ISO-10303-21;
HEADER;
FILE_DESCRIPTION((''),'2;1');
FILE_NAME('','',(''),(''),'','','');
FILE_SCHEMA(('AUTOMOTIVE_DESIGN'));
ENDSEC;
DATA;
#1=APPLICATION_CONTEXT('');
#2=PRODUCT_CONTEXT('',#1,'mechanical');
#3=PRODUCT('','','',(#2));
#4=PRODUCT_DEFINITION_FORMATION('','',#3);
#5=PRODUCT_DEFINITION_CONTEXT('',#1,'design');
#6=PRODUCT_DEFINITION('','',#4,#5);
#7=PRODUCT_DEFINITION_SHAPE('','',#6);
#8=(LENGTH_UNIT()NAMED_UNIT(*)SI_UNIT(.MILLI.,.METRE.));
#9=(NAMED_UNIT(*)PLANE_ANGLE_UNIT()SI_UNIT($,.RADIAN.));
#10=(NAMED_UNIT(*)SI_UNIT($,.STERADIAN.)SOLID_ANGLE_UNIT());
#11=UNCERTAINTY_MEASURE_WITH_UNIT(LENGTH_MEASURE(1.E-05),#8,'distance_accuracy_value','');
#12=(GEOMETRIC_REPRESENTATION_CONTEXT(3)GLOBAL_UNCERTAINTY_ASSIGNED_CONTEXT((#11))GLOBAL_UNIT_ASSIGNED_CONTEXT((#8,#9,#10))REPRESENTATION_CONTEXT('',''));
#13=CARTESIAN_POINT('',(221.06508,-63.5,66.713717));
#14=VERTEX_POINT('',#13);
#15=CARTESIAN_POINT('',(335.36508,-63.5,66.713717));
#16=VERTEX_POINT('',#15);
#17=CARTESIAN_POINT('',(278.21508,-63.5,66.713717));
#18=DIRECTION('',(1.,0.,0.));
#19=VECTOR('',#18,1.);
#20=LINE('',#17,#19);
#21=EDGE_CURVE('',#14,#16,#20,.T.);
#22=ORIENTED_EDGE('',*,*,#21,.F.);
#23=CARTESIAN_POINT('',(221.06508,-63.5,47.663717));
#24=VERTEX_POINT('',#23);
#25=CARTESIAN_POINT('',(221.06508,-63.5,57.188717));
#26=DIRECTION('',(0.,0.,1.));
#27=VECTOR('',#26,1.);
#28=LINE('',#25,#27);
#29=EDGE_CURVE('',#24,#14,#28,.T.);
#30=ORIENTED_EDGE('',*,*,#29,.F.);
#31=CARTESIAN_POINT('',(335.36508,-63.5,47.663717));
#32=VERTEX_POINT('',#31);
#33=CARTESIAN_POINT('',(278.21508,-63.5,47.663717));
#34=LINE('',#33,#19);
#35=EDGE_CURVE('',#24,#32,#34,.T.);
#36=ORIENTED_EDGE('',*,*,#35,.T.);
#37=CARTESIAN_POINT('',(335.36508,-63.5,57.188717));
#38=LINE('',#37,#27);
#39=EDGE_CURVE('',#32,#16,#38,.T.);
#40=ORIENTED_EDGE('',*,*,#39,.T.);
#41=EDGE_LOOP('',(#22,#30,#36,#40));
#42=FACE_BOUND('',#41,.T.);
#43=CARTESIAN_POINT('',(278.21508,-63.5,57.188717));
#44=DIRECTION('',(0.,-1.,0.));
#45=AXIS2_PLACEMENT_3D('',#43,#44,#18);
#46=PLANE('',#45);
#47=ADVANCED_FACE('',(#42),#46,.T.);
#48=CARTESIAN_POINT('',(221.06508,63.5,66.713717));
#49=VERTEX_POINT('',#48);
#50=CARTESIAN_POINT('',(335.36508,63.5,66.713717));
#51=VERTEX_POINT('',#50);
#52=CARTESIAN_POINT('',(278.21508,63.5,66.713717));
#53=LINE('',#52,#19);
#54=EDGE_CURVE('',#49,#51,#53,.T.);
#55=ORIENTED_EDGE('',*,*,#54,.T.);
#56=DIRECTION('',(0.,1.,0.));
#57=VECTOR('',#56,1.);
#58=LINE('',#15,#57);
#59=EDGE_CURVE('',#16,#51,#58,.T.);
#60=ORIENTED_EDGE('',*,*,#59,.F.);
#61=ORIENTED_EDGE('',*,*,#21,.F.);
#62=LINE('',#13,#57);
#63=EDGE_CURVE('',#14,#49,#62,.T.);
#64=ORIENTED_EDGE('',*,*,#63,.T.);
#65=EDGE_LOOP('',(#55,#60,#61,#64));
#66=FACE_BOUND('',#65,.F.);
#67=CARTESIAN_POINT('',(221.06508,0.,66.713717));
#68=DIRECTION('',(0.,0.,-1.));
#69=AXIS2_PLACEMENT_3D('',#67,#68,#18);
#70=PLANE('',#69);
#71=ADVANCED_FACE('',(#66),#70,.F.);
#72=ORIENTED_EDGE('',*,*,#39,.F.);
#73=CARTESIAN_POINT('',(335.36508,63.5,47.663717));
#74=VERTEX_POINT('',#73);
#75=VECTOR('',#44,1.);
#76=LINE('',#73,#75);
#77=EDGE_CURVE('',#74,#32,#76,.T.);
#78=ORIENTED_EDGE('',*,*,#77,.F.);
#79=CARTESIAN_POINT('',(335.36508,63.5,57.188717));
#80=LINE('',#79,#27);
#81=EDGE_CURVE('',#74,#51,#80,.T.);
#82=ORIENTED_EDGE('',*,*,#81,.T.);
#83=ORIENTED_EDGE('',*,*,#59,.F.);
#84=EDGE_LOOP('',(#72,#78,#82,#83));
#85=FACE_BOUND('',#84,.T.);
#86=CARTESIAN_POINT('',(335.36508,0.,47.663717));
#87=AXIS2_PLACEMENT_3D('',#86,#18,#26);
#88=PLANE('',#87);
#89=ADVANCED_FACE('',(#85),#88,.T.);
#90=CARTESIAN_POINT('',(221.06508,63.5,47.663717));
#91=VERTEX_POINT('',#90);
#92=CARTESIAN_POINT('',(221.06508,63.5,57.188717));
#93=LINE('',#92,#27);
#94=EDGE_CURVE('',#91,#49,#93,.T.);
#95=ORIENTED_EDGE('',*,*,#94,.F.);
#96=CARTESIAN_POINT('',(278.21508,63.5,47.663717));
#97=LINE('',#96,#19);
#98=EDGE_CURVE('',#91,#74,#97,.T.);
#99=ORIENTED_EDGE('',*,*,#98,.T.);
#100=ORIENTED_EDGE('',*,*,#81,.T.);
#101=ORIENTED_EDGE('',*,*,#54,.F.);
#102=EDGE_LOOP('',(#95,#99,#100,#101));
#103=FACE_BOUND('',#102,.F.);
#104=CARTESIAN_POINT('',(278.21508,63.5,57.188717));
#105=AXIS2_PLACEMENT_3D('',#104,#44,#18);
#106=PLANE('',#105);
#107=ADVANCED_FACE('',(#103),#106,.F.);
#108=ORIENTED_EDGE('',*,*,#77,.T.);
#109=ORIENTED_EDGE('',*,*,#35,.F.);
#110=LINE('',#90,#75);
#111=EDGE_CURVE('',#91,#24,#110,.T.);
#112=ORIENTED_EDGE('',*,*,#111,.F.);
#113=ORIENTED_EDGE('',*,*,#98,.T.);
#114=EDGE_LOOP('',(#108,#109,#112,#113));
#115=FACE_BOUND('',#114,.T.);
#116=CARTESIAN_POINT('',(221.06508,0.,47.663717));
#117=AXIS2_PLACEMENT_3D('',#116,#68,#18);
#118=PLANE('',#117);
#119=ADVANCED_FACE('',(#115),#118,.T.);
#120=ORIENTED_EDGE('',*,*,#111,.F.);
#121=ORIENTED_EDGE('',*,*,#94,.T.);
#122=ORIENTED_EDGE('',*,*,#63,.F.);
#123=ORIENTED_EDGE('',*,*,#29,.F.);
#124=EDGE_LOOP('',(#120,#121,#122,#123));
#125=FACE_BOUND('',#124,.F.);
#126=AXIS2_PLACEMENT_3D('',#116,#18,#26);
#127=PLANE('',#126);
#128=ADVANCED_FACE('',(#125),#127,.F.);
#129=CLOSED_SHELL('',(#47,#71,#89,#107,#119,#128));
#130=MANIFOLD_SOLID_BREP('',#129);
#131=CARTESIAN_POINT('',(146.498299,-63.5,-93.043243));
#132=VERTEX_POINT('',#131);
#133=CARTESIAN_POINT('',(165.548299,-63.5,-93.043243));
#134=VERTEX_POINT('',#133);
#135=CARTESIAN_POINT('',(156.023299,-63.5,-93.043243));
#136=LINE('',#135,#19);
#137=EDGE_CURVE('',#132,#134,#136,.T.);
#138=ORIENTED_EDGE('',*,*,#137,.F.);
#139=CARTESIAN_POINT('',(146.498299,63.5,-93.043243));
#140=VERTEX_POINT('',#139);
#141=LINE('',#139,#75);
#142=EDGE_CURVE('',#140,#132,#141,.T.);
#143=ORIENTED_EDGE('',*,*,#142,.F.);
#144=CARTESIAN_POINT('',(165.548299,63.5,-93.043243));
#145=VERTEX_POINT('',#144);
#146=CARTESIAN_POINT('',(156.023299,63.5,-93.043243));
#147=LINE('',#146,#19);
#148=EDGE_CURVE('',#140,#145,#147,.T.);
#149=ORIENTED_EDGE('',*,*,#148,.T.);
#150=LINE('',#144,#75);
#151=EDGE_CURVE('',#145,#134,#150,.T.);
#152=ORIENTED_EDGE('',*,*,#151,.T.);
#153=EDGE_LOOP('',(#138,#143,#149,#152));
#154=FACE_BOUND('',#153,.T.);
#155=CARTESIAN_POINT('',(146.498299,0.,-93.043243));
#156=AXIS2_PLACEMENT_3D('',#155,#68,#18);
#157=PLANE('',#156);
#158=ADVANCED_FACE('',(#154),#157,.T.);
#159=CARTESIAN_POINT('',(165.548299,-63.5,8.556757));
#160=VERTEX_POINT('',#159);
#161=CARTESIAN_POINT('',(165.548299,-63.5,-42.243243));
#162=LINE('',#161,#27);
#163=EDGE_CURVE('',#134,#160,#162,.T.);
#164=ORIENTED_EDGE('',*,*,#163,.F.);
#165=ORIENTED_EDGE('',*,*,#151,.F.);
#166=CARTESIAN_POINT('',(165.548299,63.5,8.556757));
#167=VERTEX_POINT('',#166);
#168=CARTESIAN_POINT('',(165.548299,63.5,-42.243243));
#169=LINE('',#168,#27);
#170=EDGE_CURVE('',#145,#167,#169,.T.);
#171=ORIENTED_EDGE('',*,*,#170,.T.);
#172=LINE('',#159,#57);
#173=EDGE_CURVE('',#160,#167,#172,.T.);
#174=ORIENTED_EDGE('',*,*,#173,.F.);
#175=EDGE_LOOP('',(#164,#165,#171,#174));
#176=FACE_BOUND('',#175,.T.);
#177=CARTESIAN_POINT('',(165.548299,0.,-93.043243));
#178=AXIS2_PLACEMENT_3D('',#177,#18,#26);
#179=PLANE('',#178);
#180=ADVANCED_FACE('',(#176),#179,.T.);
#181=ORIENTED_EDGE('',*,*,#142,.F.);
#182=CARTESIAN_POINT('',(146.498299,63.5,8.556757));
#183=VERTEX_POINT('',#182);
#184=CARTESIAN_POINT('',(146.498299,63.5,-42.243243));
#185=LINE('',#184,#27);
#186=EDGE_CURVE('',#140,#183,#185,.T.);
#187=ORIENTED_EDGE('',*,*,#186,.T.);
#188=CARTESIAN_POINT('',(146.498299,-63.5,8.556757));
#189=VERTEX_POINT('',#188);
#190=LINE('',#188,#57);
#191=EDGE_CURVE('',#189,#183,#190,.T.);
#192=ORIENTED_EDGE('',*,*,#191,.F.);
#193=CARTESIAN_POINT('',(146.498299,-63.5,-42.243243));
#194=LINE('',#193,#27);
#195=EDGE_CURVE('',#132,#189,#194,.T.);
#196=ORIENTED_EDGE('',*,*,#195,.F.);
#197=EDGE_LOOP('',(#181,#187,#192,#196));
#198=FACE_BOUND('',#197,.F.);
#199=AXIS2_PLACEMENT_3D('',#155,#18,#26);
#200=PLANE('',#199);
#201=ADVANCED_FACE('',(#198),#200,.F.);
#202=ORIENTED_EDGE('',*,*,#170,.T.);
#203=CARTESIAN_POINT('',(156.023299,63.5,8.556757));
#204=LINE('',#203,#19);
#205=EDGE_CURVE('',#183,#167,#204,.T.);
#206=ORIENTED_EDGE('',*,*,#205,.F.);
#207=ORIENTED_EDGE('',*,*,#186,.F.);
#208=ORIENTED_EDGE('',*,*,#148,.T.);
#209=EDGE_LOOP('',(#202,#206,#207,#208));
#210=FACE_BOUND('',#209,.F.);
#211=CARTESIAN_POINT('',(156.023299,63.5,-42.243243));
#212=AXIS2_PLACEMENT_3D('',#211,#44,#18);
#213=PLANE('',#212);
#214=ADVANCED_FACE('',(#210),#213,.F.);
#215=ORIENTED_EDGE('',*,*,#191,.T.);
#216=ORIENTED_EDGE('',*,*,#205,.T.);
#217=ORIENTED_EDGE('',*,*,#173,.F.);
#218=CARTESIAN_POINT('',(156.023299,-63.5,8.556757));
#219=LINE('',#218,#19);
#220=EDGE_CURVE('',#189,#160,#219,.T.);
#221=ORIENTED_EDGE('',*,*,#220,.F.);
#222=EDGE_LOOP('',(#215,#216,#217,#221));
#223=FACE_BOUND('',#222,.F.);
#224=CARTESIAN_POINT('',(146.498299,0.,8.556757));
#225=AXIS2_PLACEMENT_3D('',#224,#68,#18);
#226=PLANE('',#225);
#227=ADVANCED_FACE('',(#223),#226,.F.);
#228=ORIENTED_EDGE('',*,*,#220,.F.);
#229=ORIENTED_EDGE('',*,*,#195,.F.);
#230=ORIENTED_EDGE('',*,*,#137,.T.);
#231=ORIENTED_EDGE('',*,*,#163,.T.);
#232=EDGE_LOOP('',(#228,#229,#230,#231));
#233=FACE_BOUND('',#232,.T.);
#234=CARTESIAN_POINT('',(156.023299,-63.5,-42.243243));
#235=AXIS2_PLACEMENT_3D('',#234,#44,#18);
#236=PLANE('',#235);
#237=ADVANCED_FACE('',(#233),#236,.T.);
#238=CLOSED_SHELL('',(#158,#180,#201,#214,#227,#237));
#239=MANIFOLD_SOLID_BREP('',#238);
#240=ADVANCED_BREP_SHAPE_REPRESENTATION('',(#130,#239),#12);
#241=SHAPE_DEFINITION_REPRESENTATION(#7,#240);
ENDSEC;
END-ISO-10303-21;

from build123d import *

# Parameters (mm, degrees)
F0_W     = 19.05
F0_H     = 101.6
F1_DEPTH = 63.5
F2_W     = 114.3
F2_H     = 19.05
F3_DEPTH = 63.5


with BuildPart() as f1:
    # F0 (on Front) → F1 (new body, symmetric)
    with BuildSketch(Plane.XZ):
        with Locations((156.023299, -42.243243)):
            Rectangle(F0_W, F0_H)
    extrude(amount=F1_DEPTH, both=True)


with BuildPart() as f3:
    # F2 (on Front) → F3 (new body, symmetric)
    with BuildSketch(Plane.XZ):
        with Locations((278.21508, 57.188717)):
            Rectangle(F2_W, F2_H)
    extrude(amount=F3_DEPTH, both=True)


solid = Compound([f1.part, f3.part])
